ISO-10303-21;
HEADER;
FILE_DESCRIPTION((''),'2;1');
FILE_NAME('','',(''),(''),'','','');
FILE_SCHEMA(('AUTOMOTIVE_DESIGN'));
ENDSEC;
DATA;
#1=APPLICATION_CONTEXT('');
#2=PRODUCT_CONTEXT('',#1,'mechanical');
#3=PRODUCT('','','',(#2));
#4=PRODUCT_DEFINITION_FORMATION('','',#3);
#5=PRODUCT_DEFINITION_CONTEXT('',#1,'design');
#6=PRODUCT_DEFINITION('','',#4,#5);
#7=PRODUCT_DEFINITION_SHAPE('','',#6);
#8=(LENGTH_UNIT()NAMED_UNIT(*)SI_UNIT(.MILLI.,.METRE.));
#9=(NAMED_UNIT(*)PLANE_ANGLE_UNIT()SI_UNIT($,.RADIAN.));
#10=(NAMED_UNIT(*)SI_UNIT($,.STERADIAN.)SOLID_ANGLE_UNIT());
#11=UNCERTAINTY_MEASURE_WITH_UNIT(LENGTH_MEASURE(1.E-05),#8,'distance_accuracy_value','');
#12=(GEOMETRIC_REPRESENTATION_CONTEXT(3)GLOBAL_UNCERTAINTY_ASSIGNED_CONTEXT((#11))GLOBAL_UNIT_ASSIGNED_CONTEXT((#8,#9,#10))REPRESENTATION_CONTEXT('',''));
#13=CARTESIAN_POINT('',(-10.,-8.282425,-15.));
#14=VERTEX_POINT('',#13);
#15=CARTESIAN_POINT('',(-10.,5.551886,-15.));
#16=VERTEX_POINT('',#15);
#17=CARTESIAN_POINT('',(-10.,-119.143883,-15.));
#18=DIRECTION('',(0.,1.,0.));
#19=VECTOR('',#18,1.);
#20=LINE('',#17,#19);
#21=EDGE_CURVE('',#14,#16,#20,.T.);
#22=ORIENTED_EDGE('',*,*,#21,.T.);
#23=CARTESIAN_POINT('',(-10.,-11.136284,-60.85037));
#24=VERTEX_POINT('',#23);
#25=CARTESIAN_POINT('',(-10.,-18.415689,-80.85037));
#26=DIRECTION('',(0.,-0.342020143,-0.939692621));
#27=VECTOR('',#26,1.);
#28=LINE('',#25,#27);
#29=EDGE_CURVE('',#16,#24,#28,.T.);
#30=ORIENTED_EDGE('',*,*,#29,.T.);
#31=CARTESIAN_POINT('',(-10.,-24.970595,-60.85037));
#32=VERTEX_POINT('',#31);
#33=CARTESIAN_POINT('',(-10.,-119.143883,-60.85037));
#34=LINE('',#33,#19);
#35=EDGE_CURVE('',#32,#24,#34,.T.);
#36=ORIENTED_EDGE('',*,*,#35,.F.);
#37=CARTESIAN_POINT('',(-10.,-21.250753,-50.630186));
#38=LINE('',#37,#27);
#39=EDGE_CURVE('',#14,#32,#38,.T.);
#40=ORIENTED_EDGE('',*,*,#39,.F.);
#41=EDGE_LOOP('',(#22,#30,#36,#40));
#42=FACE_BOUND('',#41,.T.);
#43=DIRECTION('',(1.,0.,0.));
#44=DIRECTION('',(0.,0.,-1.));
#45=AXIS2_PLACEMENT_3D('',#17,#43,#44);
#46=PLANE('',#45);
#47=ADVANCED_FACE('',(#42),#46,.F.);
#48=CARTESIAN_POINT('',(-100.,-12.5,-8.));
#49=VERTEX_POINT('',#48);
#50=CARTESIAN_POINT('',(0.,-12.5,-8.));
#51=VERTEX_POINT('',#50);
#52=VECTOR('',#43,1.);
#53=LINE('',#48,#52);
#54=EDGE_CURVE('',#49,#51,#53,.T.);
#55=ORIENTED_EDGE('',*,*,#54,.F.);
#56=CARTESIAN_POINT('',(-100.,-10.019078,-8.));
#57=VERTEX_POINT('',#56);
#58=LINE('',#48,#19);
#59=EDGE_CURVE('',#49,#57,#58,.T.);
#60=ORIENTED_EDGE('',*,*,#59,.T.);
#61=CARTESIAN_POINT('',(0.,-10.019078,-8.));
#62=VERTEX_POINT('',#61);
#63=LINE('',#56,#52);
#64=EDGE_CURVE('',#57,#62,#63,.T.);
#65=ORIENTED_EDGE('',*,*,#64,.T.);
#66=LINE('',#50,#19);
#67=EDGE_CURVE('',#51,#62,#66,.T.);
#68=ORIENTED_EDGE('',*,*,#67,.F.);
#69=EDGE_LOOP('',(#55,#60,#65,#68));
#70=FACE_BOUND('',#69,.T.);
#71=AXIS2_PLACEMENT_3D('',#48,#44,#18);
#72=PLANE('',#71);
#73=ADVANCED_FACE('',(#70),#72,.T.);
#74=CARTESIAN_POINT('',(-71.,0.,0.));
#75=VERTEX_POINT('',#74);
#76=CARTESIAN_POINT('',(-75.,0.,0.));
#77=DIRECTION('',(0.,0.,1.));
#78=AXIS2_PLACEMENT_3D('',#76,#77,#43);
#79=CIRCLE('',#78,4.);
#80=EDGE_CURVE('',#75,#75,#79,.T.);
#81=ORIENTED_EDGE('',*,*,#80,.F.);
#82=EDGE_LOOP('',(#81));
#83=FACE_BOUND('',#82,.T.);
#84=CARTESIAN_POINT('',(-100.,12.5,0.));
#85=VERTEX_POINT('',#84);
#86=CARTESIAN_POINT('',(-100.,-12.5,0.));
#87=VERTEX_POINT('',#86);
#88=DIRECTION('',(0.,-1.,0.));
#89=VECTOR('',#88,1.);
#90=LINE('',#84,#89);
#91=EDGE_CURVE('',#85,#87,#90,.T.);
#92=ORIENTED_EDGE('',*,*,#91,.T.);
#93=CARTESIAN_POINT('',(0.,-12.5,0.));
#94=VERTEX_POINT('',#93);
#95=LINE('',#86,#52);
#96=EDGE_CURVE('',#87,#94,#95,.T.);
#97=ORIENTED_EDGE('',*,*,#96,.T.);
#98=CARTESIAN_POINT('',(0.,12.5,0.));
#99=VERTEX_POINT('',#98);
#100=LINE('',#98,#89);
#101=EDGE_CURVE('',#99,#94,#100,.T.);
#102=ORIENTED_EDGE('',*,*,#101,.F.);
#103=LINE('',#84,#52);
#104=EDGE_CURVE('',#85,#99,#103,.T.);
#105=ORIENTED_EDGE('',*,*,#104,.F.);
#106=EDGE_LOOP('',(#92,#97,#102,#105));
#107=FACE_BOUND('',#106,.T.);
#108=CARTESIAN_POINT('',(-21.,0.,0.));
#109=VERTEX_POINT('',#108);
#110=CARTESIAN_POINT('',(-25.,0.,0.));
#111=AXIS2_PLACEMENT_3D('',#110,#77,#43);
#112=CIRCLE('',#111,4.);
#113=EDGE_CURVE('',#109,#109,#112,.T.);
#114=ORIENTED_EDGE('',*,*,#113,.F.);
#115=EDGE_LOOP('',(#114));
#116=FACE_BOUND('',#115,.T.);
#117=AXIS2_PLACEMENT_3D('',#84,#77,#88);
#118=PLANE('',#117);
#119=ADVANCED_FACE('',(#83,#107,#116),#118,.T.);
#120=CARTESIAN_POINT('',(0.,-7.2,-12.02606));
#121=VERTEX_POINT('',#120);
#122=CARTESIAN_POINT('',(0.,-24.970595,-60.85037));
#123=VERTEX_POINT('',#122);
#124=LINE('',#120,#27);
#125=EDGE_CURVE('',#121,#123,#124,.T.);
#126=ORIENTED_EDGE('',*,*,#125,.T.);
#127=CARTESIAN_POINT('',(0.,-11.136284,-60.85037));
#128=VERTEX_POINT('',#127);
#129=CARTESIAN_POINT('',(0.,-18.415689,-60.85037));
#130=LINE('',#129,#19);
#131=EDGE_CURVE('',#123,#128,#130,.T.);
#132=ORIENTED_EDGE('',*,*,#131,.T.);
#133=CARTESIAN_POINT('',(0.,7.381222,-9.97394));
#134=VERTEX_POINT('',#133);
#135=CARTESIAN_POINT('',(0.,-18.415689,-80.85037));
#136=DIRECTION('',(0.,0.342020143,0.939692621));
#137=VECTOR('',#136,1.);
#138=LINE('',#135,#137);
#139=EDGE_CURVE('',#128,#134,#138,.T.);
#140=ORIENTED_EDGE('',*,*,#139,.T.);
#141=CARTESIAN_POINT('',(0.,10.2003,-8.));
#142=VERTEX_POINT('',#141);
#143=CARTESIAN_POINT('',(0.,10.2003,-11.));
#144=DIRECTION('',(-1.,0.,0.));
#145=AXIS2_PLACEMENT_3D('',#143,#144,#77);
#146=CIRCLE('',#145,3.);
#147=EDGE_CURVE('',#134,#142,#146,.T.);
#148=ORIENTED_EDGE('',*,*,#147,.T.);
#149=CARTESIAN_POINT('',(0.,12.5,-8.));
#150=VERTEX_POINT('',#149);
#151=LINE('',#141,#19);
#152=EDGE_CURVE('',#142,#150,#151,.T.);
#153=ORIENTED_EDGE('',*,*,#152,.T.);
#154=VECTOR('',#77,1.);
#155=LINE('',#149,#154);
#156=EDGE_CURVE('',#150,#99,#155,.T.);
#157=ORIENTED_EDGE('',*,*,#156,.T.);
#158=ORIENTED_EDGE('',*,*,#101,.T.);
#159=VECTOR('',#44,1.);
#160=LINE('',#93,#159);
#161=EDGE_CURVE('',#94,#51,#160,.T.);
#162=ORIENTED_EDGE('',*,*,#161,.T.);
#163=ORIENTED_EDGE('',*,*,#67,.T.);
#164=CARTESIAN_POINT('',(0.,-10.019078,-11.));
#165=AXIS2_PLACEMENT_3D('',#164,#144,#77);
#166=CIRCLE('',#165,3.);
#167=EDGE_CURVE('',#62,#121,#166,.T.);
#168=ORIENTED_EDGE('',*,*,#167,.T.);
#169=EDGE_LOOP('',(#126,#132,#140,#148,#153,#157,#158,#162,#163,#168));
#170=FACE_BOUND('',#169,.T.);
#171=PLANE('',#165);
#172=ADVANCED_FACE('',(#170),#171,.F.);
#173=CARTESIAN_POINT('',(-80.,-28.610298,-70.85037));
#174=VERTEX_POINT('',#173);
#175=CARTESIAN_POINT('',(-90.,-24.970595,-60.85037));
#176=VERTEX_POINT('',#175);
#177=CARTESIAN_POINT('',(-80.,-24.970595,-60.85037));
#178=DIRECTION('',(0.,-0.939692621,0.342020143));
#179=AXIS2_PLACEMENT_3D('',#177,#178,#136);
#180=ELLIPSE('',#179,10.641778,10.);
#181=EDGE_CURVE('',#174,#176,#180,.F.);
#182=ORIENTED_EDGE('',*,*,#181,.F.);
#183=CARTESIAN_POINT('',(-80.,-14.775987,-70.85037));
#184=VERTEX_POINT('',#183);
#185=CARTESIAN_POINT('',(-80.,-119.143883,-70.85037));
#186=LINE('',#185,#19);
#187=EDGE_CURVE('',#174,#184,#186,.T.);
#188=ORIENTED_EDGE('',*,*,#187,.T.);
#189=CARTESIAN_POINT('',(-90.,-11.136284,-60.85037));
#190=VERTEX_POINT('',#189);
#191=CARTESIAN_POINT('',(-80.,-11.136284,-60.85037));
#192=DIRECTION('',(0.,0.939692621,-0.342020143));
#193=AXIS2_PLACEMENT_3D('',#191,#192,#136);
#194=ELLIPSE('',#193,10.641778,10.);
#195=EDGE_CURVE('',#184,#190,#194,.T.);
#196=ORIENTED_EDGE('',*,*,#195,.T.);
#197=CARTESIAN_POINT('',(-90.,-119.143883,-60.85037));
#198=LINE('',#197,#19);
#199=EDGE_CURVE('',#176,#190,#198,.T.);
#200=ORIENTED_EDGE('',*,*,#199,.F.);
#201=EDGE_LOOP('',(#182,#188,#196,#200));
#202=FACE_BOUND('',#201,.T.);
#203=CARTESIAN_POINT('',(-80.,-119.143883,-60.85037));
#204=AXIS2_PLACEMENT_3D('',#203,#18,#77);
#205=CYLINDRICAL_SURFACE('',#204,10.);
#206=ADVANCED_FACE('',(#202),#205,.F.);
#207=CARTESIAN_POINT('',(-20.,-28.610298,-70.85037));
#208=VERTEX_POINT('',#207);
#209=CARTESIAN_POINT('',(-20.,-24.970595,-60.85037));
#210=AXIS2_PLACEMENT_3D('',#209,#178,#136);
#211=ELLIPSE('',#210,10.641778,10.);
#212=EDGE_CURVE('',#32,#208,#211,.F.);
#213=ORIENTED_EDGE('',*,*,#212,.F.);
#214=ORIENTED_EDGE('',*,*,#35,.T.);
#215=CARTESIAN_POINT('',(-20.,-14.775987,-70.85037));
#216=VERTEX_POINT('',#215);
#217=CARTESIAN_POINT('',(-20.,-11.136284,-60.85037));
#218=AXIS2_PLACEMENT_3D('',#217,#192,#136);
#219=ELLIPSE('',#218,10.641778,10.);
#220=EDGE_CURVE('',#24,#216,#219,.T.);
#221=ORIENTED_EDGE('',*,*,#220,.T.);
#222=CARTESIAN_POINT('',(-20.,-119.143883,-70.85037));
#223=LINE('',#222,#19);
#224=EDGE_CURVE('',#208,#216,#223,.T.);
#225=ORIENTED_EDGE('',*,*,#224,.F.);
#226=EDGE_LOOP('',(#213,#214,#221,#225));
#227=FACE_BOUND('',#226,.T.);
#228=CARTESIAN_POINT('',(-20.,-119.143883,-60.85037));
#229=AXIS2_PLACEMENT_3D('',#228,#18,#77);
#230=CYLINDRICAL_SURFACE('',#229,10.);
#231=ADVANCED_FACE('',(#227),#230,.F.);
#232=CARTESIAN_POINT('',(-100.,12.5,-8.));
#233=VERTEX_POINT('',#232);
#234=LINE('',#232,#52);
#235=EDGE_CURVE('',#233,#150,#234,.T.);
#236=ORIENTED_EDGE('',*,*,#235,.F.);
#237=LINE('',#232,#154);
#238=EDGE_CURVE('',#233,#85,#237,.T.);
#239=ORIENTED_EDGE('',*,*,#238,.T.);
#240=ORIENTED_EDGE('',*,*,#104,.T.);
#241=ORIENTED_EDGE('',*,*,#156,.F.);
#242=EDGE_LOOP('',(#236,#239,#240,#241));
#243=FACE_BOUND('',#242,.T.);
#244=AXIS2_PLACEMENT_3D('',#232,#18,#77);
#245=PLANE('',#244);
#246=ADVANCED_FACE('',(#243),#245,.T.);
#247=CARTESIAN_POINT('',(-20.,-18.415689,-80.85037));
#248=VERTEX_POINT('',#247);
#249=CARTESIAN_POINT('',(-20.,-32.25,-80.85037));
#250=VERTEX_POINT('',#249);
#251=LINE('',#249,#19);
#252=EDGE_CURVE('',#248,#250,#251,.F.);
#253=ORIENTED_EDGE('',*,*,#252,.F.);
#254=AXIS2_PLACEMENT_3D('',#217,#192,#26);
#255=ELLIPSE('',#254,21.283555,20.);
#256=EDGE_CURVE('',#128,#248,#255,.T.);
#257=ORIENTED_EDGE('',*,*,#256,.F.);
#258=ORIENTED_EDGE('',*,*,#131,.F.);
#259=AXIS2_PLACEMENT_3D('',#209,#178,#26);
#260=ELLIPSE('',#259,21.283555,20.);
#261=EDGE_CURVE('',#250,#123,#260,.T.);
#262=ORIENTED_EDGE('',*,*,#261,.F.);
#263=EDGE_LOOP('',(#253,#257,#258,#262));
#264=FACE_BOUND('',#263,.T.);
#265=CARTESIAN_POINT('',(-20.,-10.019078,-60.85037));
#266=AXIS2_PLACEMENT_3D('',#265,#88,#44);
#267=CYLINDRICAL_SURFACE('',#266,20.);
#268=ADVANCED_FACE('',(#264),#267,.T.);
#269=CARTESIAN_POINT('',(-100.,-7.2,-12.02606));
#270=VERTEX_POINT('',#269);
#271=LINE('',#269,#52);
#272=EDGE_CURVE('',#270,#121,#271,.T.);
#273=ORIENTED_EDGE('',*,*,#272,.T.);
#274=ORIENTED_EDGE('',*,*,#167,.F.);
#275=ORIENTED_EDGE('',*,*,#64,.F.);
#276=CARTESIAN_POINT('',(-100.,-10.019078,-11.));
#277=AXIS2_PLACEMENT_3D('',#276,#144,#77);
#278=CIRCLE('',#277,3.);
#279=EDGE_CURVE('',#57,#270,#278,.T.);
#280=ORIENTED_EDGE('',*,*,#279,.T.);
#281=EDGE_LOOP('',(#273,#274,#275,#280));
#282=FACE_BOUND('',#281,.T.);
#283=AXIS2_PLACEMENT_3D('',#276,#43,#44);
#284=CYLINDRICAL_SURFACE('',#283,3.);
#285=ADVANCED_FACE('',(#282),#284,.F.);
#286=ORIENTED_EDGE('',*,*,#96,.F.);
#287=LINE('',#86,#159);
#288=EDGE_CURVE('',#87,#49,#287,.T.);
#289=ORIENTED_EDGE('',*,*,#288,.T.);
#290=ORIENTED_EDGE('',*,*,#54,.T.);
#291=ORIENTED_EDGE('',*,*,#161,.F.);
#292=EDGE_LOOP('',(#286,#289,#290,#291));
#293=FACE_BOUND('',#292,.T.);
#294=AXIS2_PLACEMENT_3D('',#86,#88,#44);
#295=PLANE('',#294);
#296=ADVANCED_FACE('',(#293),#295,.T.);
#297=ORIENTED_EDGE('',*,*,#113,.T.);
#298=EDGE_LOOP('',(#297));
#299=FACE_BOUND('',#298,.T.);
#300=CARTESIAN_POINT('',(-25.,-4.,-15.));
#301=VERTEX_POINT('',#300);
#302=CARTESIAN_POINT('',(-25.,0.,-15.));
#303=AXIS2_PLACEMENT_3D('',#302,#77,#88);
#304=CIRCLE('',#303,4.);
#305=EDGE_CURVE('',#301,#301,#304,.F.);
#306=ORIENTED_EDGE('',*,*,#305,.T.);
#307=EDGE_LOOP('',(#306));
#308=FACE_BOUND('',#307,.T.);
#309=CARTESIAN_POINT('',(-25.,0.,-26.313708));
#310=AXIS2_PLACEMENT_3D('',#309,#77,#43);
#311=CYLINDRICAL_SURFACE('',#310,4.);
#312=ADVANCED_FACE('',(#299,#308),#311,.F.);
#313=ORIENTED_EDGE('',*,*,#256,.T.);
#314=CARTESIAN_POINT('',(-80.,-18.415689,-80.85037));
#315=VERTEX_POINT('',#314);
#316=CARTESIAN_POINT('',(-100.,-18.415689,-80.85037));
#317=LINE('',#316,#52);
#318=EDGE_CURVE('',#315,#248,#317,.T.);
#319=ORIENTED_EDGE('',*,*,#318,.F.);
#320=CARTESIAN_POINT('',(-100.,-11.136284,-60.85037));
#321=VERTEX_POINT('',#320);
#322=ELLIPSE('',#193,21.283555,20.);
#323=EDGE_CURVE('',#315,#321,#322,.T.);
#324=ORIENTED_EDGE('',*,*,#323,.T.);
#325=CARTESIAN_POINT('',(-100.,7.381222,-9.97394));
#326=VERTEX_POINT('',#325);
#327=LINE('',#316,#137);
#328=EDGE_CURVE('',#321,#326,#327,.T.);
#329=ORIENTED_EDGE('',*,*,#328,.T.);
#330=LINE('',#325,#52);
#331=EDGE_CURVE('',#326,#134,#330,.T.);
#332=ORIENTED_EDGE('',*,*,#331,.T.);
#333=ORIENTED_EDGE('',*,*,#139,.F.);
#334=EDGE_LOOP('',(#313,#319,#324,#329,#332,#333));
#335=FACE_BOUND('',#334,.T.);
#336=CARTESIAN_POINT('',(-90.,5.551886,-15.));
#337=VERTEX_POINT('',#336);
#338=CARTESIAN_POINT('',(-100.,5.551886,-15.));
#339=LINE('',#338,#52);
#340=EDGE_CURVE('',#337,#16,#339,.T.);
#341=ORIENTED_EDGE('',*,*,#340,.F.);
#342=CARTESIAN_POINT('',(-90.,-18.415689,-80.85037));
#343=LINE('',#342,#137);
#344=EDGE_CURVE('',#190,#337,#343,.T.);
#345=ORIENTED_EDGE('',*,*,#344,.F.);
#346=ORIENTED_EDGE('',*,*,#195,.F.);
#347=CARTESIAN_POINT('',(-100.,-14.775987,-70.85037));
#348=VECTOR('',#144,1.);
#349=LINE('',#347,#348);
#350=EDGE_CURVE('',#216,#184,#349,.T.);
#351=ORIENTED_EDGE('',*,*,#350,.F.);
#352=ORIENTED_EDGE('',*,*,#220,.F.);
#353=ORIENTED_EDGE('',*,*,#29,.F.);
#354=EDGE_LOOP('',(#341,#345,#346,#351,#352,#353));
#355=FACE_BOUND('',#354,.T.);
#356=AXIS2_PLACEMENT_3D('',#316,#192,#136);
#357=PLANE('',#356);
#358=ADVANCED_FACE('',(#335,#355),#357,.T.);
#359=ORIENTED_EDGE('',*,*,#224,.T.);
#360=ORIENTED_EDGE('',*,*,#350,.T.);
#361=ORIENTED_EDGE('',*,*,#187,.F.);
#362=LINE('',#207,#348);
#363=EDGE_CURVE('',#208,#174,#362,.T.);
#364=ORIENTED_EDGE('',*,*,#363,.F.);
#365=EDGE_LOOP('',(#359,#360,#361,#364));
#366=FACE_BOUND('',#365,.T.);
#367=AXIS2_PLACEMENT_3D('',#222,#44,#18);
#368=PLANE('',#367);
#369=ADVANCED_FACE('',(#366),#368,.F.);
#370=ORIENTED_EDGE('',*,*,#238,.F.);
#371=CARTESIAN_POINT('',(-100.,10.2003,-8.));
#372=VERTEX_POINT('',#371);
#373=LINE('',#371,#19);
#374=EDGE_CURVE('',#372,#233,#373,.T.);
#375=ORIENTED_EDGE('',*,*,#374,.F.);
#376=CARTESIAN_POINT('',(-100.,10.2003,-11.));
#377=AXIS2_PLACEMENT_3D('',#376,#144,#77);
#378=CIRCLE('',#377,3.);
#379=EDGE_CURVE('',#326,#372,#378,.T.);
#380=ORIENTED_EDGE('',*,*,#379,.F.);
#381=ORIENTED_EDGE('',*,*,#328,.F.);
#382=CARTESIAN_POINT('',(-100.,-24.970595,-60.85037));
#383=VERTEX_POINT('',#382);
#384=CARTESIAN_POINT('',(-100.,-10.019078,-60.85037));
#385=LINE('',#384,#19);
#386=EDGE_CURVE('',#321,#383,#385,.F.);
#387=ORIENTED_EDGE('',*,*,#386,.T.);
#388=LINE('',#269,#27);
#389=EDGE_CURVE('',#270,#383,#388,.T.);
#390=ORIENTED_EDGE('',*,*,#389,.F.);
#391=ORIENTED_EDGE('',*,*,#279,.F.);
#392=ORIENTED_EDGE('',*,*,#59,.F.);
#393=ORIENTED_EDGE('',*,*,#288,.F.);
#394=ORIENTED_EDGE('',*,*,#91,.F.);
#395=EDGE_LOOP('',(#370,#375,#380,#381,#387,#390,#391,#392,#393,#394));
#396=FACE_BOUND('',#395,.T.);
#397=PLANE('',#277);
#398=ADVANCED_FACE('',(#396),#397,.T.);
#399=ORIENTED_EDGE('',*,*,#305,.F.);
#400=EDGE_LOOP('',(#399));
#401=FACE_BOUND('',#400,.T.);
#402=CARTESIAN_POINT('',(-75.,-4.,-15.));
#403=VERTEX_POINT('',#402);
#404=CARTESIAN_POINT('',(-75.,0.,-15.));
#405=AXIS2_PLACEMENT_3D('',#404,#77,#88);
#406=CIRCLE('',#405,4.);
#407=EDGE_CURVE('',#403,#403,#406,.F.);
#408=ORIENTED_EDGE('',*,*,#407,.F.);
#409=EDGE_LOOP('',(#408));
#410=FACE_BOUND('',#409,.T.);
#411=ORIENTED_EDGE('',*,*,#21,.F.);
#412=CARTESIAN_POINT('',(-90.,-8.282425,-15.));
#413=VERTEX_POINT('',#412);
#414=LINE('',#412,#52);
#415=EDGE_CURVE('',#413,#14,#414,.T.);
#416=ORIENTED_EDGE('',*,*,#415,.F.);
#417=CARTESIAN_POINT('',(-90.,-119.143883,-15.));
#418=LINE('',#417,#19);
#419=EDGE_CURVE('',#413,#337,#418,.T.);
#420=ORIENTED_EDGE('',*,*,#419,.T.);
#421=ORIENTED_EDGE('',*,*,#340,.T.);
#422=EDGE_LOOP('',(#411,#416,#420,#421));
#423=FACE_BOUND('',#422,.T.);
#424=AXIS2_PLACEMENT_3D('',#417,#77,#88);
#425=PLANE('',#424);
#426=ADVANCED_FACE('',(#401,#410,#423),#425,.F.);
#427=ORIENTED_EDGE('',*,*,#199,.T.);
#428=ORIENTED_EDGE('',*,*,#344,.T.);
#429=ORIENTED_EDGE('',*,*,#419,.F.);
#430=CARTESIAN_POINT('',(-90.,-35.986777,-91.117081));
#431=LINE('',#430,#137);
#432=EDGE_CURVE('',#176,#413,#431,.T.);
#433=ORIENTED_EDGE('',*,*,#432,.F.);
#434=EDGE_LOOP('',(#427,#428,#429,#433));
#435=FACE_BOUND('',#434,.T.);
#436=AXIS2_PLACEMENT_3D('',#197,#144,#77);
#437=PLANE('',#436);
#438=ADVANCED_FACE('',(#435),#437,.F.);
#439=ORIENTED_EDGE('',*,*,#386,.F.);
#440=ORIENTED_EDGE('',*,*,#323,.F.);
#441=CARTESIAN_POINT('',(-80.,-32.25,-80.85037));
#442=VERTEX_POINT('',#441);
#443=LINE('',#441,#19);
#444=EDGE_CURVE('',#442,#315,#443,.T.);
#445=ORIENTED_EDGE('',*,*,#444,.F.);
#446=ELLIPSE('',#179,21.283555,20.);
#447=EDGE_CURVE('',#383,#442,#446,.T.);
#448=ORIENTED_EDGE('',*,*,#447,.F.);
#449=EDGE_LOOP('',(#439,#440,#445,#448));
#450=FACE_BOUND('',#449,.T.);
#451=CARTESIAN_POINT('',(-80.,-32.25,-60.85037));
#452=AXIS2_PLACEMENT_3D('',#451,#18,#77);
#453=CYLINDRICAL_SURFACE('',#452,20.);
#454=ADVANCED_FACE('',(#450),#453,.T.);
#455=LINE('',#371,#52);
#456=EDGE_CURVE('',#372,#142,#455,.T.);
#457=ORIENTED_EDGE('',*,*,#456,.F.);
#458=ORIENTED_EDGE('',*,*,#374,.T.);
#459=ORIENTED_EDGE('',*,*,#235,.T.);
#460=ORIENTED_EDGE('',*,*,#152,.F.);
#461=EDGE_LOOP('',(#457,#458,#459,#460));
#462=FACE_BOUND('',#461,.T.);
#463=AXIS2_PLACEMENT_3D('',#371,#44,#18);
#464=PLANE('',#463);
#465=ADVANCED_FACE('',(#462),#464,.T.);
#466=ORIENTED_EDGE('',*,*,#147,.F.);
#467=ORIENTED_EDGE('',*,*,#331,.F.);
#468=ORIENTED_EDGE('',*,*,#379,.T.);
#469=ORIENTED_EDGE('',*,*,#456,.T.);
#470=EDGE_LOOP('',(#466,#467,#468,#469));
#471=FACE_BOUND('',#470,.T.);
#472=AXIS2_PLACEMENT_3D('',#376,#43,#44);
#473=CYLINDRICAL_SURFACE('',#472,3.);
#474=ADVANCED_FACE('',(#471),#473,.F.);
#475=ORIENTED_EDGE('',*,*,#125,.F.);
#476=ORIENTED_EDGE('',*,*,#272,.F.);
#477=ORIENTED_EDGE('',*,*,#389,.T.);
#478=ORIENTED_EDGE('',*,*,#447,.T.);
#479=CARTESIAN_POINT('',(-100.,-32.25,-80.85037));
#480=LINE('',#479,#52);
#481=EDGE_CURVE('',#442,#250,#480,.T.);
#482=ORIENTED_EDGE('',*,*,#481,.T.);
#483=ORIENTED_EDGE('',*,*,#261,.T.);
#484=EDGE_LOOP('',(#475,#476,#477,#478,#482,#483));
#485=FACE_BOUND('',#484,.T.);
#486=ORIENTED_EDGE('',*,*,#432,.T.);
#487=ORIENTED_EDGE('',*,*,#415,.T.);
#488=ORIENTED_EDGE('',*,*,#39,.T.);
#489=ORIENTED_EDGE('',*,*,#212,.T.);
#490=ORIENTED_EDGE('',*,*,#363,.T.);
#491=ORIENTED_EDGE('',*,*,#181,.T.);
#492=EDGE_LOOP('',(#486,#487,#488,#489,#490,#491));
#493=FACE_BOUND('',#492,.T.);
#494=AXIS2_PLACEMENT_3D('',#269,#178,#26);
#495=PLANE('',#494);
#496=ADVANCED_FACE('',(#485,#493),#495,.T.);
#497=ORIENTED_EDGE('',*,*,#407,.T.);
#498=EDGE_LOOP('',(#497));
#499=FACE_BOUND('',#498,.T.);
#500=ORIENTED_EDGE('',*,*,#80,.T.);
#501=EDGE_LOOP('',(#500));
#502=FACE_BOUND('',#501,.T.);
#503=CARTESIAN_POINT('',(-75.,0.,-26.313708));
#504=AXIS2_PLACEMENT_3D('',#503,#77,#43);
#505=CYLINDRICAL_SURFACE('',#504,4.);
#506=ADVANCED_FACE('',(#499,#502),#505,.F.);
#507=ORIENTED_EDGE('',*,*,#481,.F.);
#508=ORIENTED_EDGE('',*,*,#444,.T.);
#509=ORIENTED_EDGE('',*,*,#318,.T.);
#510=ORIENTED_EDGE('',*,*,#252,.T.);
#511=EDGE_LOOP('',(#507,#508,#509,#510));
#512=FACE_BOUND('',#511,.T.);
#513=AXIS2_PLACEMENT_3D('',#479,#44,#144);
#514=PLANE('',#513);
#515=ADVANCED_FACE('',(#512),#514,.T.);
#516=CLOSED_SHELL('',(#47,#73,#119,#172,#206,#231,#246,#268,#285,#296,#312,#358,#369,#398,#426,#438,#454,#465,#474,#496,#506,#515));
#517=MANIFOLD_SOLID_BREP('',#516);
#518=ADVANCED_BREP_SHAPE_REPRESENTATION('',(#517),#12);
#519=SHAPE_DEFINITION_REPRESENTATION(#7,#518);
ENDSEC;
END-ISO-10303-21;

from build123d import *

# Parameters (mm, degrees)
BOSS_EXTRUDE1_DEPTH = 100
CUT_EXTRUDE3_REACH  = 138.159
FILLET2_R           = 20
SKETCH6_R           = 4
CUT_EXTRUDE4_DEPTH  = 15


with BuildPart() as part:
    # Sketch1 → Boss-Extrude1 (new body)
    with BuildSketch(Plane.YZ):
        with BuildLine():
            Line((-12.5, 0), (-12.5, -8))
            Line((-12.5, -8), (-10.019077862, -8))
            ThreePointArc((-10.019077862, -8), (-7.561621729, -9.279270691), (-7.2, -12.02606043))
            Line((-7.2, -12.02606043), (-32.25, -80.850369787))
            Line((-32.25, -80.850369787), (-18.415688958, -80.850369787))
            Line((-18.415688958, -80.850369787), (7.381221952, -9.97393957))
            ThreePointArc((7.381221952, -9.97393957), (8.479570506, -8.542543867), (10.200299815, -8))
            Line((10.200299815, -8), (12.5, -8))
            Line((12.5, -8), (12.5, 0))
            Line((12.5, 0), (-12.5, 0))
        make_face()
    extrude(amount=-BOSS_EXTRUDE1_DEPTH)

    # Cut-Extrude3: up to this plane
    cut_extrude3_end = Plane(origin=(-100, -7.2, -12.02606043), z_dir=(0, -0.9396926207859074, 0.34202014332567165))
    # Sketch5 → Cut-Extrude3 (cut, up to the surface)
    with BuildSketch(Plane(origin=(0, 12.5, 0), x_dir=(-1, 0, 0), z_dir=(0, 1, 0)), mode=Mode.PRIVATE) as cut_extrude3_sk1:
        with BuildLine():
            Line((10, -15), (10, -60.850369787))
            ThreePointArc((10, -60.850369787), (12.928932188, -67.921437599), (20, -70.850369787))
            Line((20, -70.850369787), (80, -70.850369787))
            ThreePointArc((80, -70.850369787), (87.071067812, -67.921437599), (90, -60.850369787))
            Line((90, -60.850369787), (90, -15))
            Line((90, -15), (10, -15))
        make_face()
    cut_extrude3_tool1 = split(extrude(cut_extrude3_sk1.sketch, amount=-CUT_EXTRUDE3_REACH, mode=Mode.PRIVATE), bisect_by=cut_extrude3_end, keep=Keep.BOTH, mode=Mode.PRIVATE)
    add(cut_extrude3_tool1.solids().sort_by_distance((-50, 12.5, -42.675996))[0], mode=Mode.SUBTRACT)

    # Fillet2
    fillet2_edges = [part.edges().sort_by_distance(p)[0] for p in [
        (0, -25.332844479, -80.850369787),
        (-100, -25.332844479, -80.850369787),
    ]]
    fillet(fillet2_edges, radius=FILLET2_R)

    # Sketch6 → Cut-Extrude4 (cut)
    with BuildSketch(Plane.XY):
        with Locations((-75, 0)):
            Circle(SKETCH6_R)
        with Locations((-25, 0)):
            Circle(SKETCH6_R)
    extrude(amount=-CUT_EXTRUDE4_DEPTH, mode=Mode.SUBTRACT)


solid = part.part
